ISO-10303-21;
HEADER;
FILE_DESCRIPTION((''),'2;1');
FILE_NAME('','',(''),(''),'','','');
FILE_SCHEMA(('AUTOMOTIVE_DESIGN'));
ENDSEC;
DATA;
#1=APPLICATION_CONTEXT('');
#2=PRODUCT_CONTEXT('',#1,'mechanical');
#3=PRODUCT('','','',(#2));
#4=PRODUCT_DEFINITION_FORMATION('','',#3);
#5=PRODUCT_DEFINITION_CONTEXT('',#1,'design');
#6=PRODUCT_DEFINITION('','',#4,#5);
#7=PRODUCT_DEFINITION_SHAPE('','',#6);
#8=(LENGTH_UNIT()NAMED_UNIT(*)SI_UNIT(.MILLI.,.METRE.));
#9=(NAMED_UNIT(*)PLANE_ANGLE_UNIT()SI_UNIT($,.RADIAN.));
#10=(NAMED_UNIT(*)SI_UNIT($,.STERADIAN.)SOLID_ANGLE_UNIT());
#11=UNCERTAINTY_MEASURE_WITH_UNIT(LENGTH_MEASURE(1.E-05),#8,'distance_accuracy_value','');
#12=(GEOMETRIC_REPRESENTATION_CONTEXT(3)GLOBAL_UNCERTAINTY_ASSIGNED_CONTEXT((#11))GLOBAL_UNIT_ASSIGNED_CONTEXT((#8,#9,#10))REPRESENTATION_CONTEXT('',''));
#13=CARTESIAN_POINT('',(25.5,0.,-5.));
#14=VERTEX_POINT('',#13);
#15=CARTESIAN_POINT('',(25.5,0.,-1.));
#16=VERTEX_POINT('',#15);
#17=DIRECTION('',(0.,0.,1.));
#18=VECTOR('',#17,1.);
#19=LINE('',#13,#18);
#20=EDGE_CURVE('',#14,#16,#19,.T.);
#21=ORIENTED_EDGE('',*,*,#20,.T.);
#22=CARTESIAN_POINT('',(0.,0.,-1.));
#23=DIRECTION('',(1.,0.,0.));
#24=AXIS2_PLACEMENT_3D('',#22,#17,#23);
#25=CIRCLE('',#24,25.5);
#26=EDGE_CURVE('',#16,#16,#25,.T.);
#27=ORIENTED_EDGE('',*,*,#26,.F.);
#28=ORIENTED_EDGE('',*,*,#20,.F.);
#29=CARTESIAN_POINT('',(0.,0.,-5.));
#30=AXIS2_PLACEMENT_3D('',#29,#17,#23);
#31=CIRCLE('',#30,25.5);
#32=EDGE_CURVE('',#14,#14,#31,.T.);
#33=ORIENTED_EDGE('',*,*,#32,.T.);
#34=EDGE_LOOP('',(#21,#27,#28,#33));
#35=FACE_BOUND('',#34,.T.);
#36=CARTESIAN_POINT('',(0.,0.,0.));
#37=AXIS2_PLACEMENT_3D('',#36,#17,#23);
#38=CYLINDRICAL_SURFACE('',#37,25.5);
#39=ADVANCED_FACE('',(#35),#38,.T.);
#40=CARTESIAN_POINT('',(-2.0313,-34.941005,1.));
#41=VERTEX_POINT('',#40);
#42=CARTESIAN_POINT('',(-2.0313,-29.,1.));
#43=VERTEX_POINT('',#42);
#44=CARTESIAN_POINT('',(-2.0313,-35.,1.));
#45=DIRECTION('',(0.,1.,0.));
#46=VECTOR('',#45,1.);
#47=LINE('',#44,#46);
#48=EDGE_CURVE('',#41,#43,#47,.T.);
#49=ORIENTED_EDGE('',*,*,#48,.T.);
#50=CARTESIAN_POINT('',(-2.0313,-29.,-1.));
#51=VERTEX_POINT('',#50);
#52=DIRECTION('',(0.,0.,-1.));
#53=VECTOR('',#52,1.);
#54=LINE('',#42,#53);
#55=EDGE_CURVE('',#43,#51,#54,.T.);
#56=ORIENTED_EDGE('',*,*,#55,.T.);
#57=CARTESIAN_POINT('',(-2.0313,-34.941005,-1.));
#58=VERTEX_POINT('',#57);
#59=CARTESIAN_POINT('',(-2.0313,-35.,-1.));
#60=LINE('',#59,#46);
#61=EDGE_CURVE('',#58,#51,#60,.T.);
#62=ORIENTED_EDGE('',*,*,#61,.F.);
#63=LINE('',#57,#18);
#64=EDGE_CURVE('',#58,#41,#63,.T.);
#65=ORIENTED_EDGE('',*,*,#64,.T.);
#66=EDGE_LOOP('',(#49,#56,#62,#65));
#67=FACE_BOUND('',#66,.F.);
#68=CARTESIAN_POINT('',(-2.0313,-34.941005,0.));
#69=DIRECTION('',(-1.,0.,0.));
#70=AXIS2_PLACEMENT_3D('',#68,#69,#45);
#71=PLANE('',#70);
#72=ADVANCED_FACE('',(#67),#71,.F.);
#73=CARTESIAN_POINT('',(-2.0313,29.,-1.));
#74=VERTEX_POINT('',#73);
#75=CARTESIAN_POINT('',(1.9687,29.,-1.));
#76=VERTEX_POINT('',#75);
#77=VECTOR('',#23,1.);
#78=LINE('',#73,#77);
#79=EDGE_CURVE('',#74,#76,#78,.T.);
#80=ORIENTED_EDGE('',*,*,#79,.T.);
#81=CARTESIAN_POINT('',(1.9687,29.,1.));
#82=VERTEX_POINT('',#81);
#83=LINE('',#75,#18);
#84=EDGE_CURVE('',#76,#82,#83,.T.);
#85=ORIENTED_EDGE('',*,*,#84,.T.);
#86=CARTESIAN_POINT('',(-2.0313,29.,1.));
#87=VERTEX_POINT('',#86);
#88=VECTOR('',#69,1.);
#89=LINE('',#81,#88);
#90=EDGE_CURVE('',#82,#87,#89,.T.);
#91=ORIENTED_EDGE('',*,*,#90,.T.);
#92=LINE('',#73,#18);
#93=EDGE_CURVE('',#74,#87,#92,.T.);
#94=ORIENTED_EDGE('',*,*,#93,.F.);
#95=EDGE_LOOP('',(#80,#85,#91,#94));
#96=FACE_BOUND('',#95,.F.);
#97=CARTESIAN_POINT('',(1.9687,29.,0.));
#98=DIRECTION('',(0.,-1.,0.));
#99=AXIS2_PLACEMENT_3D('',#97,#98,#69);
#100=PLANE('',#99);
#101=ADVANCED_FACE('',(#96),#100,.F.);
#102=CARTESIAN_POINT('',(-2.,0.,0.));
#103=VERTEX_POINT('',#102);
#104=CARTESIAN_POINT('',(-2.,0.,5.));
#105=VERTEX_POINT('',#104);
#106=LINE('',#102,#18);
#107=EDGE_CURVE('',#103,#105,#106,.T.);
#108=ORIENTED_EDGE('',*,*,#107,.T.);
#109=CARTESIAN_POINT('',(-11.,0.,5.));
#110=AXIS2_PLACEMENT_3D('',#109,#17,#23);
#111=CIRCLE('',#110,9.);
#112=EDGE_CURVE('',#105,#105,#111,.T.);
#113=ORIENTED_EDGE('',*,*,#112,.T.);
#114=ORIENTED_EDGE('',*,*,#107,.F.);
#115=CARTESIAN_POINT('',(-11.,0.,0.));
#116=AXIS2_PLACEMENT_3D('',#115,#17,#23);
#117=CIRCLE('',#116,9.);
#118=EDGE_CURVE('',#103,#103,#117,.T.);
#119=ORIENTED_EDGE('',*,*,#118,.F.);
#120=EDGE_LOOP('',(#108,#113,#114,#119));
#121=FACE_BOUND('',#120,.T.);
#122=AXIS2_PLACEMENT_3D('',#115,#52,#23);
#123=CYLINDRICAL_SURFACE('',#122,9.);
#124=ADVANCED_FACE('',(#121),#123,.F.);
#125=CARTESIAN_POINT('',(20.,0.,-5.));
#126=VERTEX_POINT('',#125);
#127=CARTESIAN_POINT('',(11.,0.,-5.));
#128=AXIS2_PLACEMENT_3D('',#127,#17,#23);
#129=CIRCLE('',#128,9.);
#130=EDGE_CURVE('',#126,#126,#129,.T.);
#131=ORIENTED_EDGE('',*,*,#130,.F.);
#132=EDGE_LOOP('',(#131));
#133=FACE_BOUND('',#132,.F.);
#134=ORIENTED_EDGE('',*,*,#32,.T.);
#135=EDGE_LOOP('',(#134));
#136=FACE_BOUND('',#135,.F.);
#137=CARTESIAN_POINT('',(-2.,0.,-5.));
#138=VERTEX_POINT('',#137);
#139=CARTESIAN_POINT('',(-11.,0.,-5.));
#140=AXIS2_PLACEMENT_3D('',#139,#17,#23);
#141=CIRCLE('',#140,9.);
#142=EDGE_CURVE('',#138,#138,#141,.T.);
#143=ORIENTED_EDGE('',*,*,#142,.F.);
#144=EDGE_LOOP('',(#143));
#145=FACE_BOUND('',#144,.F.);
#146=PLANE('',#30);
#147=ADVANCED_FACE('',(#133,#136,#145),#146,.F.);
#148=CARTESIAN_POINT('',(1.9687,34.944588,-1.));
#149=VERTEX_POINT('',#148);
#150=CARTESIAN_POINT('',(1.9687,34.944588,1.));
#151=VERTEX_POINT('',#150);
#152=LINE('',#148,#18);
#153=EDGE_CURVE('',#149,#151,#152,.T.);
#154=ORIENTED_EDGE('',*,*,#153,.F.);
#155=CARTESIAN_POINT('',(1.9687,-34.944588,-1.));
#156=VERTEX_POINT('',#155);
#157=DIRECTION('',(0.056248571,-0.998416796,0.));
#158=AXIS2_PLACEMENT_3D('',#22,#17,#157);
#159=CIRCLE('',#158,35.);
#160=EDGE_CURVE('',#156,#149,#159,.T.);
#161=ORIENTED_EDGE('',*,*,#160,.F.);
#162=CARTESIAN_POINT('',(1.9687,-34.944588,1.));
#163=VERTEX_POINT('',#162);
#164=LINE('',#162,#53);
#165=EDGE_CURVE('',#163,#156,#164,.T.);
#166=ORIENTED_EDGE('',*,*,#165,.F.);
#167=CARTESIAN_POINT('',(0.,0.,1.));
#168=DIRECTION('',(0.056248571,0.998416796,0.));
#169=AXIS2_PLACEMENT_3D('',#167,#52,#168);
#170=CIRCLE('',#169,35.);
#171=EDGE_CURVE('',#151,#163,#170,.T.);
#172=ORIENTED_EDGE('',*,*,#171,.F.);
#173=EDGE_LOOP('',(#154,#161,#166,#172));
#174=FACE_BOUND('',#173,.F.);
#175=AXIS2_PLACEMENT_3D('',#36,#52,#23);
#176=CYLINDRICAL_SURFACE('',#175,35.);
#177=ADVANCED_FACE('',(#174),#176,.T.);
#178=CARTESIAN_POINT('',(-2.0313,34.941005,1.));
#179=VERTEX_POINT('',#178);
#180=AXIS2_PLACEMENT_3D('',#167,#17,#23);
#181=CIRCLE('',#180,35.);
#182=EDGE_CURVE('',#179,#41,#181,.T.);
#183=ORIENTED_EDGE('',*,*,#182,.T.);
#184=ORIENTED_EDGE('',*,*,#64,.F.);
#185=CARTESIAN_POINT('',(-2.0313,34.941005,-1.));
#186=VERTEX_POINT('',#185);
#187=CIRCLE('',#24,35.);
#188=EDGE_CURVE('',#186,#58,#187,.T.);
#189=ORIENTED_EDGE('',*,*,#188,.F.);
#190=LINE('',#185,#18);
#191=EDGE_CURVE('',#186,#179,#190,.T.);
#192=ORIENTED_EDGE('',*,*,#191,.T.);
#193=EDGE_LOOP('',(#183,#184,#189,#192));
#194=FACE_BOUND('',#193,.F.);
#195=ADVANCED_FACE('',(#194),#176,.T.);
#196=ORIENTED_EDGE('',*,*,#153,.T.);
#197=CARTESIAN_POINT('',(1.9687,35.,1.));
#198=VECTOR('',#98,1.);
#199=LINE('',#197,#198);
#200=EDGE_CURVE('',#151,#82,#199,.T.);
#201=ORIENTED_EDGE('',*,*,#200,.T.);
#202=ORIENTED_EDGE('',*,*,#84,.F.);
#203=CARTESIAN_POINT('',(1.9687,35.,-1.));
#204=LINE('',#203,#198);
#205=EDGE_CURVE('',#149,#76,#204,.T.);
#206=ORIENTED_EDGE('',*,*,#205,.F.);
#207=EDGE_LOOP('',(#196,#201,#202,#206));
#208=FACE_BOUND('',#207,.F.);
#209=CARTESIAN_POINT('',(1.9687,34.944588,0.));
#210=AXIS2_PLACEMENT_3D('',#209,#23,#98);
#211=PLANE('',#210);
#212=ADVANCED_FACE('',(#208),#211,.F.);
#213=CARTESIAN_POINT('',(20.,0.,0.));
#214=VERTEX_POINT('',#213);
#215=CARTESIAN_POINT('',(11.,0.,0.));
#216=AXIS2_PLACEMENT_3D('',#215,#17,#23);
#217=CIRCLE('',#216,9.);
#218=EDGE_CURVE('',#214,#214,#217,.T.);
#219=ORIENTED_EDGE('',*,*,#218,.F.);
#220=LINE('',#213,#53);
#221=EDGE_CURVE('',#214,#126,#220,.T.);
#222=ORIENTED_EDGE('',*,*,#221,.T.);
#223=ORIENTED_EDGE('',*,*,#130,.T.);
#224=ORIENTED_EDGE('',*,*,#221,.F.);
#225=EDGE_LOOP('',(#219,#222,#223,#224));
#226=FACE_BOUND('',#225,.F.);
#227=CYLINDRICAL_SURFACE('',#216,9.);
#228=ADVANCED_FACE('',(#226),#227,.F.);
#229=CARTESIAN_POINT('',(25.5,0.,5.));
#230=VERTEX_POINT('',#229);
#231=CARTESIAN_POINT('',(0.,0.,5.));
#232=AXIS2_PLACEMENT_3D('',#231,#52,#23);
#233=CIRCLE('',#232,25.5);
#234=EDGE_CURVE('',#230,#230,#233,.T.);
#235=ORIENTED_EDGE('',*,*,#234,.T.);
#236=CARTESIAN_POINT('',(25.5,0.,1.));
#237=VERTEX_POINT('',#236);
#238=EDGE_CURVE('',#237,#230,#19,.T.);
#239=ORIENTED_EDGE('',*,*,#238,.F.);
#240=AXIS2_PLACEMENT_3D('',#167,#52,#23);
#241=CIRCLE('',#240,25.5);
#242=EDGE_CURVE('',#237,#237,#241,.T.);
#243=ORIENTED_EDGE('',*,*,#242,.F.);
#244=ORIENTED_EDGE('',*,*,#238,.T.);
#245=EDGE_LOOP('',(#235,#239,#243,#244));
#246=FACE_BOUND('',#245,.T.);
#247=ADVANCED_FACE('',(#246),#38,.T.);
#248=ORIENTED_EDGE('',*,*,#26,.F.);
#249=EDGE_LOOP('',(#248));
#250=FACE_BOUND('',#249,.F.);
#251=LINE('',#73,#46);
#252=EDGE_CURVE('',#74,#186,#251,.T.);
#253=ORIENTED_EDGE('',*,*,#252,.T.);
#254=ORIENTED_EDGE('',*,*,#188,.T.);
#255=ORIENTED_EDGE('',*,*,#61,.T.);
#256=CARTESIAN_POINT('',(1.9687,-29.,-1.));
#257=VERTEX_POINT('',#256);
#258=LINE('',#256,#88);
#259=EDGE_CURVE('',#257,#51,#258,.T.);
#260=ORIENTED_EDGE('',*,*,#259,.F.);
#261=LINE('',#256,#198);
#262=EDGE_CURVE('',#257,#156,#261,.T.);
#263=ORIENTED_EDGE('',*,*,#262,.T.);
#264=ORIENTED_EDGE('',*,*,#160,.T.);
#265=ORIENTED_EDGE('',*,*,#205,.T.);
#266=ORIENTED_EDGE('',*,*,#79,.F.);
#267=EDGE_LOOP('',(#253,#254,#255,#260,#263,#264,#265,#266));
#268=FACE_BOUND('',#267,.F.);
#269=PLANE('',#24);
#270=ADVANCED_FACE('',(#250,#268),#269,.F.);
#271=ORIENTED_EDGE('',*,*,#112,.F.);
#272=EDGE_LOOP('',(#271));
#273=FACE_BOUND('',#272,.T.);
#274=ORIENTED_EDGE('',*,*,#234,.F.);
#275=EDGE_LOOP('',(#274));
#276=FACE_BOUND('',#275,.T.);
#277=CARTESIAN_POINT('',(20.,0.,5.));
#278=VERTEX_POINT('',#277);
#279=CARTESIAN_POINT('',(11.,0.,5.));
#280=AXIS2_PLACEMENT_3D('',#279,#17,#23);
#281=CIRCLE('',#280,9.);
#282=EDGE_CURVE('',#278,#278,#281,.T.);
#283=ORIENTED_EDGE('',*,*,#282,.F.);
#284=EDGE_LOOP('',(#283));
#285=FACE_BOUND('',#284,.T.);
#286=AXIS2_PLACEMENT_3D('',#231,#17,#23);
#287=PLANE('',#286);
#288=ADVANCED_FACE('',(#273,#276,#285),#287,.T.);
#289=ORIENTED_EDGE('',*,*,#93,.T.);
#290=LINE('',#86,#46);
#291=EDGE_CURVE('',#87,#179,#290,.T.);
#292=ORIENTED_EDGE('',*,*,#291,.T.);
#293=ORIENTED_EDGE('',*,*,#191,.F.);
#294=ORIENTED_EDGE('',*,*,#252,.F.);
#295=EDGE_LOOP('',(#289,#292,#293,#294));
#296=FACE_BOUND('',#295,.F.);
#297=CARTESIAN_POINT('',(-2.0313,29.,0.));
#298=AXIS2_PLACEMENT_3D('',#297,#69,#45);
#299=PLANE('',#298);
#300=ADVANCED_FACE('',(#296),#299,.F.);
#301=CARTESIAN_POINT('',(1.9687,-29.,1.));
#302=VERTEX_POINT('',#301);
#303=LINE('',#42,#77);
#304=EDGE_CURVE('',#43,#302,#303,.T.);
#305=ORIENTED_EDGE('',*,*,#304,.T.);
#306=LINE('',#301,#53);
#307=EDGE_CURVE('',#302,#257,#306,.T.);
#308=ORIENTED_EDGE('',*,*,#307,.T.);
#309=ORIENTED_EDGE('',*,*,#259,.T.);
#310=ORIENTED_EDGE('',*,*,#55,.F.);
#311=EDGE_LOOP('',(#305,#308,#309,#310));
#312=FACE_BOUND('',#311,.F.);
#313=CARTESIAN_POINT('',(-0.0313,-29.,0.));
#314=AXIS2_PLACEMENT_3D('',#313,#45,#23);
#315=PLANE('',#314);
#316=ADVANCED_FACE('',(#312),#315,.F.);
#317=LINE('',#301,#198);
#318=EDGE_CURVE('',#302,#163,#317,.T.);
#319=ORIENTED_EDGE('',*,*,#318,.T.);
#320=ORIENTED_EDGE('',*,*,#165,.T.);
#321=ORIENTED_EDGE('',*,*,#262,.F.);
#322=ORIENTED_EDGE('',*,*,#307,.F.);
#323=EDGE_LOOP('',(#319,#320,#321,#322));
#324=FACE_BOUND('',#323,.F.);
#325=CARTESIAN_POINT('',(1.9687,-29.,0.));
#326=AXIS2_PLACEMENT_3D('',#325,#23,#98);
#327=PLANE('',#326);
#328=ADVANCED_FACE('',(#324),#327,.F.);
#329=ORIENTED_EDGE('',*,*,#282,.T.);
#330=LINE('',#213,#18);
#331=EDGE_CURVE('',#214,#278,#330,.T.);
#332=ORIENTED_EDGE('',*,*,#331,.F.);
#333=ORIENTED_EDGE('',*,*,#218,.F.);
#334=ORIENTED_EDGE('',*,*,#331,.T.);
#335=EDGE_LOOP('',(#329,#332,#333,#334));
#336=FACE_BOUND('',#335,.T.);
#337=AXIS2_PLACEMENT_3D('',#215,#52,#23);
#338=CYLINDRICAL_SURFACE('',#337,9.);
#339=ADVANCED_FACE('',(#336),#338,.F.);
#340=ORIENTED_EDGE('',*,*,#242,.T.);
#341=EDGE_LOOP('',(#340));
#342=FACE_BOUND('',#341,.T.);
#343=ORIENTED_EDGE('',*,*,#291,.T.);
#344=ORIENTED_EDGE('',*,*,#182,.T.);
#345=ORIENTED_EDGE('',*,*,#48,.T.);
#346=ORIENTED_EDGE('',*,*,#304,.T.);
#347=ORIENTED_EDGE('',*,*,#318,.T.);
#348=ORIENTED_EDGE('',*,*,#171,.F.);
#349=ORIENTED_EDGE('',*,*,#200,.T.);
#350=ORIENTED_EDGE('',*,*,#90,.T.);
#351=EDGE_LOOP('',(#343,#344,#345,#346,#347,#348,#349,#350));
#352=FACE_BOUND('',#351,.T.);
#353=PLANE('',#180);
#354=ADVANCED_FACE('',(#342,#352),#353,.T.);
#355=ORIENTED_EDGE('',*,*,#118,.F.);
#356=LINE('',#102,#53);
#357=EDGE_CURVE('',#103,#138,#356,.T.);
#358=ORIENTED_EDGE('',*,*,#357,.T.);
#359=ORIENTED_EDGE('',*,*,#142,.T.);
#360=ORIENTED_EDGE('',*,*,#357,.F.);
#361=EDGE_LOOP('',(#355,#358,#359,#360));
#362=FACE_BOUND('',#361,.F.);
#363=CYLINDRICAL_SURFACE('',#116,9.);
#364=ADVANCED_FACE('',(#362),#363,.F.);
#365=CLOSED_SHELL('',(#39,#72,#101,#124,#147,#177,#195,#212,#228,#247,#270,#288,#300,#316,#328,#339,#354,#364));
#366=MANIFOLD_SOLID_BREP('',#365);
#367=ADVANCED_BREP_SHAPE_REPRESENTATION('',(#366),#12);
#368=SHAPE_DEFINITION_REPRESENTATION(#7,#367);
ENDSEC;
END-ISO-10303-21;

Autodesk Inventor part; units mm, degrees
ref_plane "YZ Plane" through (0, 0, 0) normal (1, 0, 0) x (0, 1, 0)
ref_plane "XZ Plane" through (0, 0, 0) normal (0, 1, 0) x (-1, 0, 0)
ref_plane "XY Plane" through (0, 0, 0) normal (0, 0, 1) x (1, 0, 0)
sketch "Эскиз1" plane through (0, 0, 0) normal (0, 0, 1) x (1, 0, 0)
  circle A0 centre (0, 0) radius 35
  circle A1 centre (0, 0) radius 25.5
  circle A2 centre (11, 0) radius 9
  circle A3 centre (-11, 0) radius 9
  line L0 (-2.0313, 35) -> (1.9687, 35)
  line L1 (1.9687, 35) -> (1.9687, 29)
  line L2 (1.9687, 29) -> (-2.0313, 29)
  line L3 (-2.0313, 29) -> (-2.0313, 35)
  line L4 (-2.0313, -29) -> (1.9687, -29)
  line L5 (1.9687, -29) -> (1.9687, -35)
  line L6 (1.9687, -35) -> (-2.0313, -35)
  line L7 (-2.0313, -35) -> (-2.0313, -29)
  line L8 (-0.0313, 25.5) -> (-0.0313, -25.5)
  line L9 (-0.0313, -25.5) -> (-0.0313, -35)
  line L10 (-0.0313, 35) -> (-0.0313, 25.5)
  point P0 (-2.0313, 25.419)
  point P1 (-2.0313, -25.419)
  point P2 (1.9687, -25.4239)
  point P3 (1.9687, 25.4239)
  point P4 (1.9687, -34.9446)
  point P5 (1.9687, 34.9446)
  point P6 (-2.0313, 34.941)
  point P7 (-2.0313, -34.941)
  dimension "d0" = 70
  dimension "d1" = 51
  dimension "d2" = 18
  dimension "d3" = 18
  dimension "d4" = 11
  dimension "d5" = 11
  dimension "d6" = 40
  dimension "d7" = 4
  dimension "d8" = 4
  dimension "d9" = 6
  dimension "d10" = 6
  dimension "d11" = 2
  dimension "d12" = 2
  dimension "d17" = 0
  dimension "d18" = 0
extrude "Выдавливание1" add sketch "Эскиз1" along normal mid plane 10 contours L8 A1 | A1 L8
extrude "Выдавливание2" add sketch "Эскиз1" along normal mid plane 2 contours A0 L5 L4 L9 A1 L10 L2 L1 | L3 L2 L10 A1 L9 L4 L7 A0
equation "\"d0\" = dOuter"
equation "\"d1\" = dMount"
equation "\"d2\" = dHoles"
equation "\"d3\" = dHoles"
equation "\"d4\" = r2holes"
equation "\"d5\" = r2holes"
equation "\"d7\" = slotWidth"
equation "\"d8\" = slotWidth"
equation "\"d9\" = slotDepth"
equation "\"d10\" = slotDepth"
equation "\"d11\" = 0.5 * slotWidth"
equation "\"d12\" = 0.5 * slotWidth"
equation "\"dOuter\" = 70"
equation "\"dHoles\" = 18"
equation "\"hFlange\" = 4"
equation "\"hMount\" = 8"
equation "\"mountAngle\" = 60deg"
equation "\"dInternal\" = 44"
equation "\"dMount\" = 51"
equation "\"r2holes\" = 11"
equation "\"slotWidth\" = 4"
equation "\"slotDepth\" = 6"
properties part number "Spacer"
